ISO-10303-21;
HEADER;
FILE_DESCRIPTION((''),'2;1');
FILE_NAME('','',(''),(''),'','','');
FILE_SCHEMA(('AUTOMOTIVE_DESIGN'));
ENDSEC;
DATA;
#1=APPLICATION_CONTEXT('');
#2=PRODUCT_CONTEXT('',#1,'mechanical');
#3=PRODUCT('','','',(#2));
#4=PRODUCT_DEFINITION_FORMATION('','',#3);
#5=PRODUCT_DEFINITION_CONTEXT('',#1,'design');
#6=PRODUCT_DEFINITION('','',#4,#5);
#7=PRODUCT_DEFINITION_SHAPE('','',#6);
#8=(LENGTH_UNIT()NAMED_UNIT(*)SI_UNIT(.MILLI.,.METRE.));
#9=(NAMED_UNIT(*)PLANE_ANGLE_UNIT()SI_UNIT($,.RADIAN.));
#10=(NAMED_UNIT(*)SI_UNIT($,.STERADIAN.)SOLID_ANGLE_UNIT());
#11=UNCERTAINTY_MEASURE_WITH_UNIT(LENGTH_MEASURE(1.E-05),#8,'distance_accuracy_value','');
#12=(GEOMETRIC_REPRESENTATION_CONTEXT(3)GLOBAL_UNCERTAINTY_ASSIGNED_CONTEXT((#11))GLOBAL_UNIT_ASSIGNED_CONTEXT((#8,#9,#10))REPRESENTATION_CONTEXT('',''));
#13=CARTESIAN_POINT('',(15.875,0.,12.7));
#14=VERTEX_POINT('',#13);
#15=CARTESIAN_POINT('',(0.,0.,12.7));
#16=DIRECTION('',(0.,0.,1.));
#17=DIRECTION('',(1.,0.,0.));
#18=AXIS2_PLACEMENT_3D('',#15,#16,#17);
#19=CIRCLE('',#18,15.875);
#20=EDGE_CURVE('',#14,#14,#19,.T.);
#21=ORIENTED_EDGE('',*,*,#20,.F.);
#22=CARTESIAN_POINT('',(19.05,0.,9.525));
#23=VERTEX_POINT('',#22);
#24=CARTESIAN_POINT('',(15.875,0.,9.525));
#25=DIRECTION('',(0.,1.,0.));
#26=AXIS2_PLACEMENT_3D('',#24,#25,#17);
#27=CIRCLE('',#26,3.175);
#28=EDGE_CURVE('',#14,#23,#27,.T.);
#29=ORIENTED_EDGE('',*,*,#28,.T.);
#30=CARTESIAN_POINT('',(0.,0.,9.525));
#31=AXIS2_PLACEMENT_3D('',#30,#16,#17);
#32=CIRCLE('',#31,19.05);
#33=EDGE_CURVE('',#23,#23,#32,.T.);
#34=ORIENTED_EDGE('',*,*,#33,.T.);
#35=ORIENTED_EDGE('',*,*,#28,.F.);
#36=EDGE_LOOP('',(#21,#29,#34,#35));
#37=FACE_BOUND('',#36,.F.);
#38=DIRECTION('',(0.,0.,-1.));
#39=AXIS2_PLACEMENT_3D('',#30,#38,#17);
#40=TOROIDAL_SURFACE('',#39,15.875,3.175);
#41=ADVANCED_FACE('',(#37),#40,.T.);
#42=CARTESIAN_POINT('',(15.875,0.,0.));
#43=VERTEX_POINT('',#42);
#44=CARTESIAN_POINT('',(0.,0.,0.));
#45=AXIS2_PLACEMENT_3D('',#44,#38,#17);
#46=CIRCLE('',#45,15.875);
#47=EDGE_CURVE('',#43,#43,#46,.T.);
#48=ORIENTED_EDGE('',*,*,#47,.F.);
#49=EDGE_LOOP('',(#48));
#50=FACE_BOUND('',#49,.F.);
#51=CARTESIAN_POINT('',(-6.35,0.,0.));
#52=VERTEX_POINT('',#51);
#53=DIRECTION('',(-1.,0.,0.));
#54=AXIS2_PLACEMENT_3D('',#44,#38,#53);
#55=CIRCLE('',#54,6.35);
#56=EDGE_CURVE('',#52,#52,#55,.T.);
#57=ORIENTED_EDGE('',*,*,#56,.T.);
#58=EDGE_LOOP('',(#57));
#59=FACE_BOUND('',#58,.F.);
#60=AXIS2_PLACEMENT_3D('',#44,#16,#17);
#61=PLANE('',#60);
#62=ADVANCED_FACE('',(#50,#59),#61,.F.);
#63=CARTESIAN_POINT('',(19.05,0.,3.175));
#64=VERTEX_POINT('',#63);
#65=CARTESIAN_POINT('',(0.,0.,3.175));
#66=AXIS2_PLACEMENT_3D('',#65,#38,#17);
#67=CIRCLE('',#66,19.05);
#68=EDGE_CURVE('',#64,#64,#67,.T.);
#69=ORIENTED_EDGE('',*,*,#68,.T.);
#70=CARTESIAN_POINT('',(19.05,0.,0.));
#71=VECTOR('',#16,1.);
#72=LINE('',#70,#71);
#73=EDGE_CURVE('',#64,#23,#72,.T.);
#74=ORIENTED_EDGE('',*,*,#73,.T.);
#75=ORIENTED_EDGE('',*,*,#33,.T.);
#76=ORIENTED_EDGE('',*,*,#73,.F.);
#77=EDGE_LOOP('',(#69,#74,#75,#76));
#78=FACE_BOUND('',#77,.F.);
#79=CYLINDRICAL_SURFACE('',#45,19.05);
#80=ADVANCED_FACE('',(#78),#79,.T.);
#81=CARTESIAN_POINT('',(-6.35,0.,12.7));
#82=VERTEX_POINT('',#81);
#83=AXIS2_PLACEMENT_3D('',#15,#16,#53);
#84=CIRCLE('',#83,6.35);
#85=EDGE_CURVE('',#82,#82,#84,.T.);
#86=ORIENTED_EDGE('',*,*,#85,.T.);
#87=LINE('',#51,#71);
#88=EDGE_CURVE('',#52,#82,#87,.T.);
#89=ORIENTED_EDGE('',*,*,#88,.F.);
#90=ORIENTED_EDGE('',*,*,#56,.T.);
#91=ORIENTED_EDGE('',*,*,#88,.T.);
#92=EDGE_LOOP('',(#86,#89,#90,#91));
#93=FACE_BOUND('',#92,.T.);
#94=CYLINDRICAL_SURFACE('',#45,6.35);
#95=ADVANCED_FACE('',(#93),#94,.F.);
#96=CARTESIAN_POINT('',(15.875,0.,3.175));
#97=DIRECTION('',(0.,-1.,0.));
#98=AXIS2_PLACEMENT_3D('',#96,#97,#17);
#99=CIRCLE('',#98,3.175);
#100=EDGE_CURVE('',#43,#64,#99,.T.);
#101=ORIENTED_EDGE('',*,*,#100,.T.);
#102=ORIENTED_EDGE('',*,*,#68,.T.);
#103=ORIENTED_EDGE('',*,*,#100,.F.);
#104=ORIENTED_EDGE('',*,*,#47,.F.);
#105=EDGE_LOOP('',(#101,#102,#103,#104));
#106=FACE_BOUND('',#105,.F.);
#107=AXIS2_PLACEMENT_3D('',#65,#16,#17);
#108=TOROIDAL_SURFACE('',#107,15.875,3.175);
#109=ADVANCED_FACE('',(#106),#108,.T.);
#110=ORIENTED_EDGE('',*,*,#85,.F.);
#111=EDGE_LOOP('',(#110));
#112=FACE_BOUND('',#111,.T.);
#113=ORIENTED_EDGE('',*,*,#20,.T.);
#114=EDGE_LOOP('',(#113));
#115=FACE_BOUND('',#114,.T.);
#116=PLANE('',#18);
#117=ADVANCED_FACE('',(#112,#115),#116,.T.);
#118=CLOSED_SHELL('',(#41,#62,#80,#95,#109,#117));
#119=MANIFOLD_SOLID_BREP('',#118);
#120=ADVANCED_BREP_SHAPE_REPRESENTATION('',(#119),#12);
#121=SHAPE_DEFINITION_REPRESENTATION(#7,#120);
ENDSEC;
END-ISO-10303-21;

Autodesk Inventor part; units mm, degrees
ref_plane "YZ Plane" through (0, 0, 0) normal (1, 0, 0) x (0, 1, 0)
ref_plane "XZ Plane" through (0, 0, 0) normal (0, 1, 0) x (-1, 0, 0)
ref_plane "XY Plane" through (0, 0, 0) normal (0, 0, 1) x (1, 0, 0)
sketch "Sketch1" plane through (0, 0, 0) normal (0, 0, 1) x (1, 0, 0)
  arc A0 (19.05, 0) -> (-19.05, 0) centre (0, 0) ccw
  arc A1 (6.35, 0) -> (-6.35, 0) centre (0, 0) ccw
  line L0 (-19.05, 0) -> (-6.35, 0)
  line L1 (6.35, 0) -> (19.05, 0)
  arc A2 (-6.35, 0) -> (6.35, 0) centre (0, 0) ccw
  arc A3 (-19.05, 0) -> (19.05, 0) centre (0, 0) ccw
  point P0 (-6.35, 0)
extrude "Extrusion1" add sketch "Sketch1" along normal blind 12.7 contours L1 A1 L0 A0 | A3 L0 A2 L1
fillet "Fillet1" radius 3.175 2 edges at (0, 19.05, 12.7) (0, 19.05, 0)
thread "Thread1" size "1/2-13 UNC" class "2B" standard "ANSI Unified Screw Threads" length 12.7
properties part number "solar panel brush wheel"
